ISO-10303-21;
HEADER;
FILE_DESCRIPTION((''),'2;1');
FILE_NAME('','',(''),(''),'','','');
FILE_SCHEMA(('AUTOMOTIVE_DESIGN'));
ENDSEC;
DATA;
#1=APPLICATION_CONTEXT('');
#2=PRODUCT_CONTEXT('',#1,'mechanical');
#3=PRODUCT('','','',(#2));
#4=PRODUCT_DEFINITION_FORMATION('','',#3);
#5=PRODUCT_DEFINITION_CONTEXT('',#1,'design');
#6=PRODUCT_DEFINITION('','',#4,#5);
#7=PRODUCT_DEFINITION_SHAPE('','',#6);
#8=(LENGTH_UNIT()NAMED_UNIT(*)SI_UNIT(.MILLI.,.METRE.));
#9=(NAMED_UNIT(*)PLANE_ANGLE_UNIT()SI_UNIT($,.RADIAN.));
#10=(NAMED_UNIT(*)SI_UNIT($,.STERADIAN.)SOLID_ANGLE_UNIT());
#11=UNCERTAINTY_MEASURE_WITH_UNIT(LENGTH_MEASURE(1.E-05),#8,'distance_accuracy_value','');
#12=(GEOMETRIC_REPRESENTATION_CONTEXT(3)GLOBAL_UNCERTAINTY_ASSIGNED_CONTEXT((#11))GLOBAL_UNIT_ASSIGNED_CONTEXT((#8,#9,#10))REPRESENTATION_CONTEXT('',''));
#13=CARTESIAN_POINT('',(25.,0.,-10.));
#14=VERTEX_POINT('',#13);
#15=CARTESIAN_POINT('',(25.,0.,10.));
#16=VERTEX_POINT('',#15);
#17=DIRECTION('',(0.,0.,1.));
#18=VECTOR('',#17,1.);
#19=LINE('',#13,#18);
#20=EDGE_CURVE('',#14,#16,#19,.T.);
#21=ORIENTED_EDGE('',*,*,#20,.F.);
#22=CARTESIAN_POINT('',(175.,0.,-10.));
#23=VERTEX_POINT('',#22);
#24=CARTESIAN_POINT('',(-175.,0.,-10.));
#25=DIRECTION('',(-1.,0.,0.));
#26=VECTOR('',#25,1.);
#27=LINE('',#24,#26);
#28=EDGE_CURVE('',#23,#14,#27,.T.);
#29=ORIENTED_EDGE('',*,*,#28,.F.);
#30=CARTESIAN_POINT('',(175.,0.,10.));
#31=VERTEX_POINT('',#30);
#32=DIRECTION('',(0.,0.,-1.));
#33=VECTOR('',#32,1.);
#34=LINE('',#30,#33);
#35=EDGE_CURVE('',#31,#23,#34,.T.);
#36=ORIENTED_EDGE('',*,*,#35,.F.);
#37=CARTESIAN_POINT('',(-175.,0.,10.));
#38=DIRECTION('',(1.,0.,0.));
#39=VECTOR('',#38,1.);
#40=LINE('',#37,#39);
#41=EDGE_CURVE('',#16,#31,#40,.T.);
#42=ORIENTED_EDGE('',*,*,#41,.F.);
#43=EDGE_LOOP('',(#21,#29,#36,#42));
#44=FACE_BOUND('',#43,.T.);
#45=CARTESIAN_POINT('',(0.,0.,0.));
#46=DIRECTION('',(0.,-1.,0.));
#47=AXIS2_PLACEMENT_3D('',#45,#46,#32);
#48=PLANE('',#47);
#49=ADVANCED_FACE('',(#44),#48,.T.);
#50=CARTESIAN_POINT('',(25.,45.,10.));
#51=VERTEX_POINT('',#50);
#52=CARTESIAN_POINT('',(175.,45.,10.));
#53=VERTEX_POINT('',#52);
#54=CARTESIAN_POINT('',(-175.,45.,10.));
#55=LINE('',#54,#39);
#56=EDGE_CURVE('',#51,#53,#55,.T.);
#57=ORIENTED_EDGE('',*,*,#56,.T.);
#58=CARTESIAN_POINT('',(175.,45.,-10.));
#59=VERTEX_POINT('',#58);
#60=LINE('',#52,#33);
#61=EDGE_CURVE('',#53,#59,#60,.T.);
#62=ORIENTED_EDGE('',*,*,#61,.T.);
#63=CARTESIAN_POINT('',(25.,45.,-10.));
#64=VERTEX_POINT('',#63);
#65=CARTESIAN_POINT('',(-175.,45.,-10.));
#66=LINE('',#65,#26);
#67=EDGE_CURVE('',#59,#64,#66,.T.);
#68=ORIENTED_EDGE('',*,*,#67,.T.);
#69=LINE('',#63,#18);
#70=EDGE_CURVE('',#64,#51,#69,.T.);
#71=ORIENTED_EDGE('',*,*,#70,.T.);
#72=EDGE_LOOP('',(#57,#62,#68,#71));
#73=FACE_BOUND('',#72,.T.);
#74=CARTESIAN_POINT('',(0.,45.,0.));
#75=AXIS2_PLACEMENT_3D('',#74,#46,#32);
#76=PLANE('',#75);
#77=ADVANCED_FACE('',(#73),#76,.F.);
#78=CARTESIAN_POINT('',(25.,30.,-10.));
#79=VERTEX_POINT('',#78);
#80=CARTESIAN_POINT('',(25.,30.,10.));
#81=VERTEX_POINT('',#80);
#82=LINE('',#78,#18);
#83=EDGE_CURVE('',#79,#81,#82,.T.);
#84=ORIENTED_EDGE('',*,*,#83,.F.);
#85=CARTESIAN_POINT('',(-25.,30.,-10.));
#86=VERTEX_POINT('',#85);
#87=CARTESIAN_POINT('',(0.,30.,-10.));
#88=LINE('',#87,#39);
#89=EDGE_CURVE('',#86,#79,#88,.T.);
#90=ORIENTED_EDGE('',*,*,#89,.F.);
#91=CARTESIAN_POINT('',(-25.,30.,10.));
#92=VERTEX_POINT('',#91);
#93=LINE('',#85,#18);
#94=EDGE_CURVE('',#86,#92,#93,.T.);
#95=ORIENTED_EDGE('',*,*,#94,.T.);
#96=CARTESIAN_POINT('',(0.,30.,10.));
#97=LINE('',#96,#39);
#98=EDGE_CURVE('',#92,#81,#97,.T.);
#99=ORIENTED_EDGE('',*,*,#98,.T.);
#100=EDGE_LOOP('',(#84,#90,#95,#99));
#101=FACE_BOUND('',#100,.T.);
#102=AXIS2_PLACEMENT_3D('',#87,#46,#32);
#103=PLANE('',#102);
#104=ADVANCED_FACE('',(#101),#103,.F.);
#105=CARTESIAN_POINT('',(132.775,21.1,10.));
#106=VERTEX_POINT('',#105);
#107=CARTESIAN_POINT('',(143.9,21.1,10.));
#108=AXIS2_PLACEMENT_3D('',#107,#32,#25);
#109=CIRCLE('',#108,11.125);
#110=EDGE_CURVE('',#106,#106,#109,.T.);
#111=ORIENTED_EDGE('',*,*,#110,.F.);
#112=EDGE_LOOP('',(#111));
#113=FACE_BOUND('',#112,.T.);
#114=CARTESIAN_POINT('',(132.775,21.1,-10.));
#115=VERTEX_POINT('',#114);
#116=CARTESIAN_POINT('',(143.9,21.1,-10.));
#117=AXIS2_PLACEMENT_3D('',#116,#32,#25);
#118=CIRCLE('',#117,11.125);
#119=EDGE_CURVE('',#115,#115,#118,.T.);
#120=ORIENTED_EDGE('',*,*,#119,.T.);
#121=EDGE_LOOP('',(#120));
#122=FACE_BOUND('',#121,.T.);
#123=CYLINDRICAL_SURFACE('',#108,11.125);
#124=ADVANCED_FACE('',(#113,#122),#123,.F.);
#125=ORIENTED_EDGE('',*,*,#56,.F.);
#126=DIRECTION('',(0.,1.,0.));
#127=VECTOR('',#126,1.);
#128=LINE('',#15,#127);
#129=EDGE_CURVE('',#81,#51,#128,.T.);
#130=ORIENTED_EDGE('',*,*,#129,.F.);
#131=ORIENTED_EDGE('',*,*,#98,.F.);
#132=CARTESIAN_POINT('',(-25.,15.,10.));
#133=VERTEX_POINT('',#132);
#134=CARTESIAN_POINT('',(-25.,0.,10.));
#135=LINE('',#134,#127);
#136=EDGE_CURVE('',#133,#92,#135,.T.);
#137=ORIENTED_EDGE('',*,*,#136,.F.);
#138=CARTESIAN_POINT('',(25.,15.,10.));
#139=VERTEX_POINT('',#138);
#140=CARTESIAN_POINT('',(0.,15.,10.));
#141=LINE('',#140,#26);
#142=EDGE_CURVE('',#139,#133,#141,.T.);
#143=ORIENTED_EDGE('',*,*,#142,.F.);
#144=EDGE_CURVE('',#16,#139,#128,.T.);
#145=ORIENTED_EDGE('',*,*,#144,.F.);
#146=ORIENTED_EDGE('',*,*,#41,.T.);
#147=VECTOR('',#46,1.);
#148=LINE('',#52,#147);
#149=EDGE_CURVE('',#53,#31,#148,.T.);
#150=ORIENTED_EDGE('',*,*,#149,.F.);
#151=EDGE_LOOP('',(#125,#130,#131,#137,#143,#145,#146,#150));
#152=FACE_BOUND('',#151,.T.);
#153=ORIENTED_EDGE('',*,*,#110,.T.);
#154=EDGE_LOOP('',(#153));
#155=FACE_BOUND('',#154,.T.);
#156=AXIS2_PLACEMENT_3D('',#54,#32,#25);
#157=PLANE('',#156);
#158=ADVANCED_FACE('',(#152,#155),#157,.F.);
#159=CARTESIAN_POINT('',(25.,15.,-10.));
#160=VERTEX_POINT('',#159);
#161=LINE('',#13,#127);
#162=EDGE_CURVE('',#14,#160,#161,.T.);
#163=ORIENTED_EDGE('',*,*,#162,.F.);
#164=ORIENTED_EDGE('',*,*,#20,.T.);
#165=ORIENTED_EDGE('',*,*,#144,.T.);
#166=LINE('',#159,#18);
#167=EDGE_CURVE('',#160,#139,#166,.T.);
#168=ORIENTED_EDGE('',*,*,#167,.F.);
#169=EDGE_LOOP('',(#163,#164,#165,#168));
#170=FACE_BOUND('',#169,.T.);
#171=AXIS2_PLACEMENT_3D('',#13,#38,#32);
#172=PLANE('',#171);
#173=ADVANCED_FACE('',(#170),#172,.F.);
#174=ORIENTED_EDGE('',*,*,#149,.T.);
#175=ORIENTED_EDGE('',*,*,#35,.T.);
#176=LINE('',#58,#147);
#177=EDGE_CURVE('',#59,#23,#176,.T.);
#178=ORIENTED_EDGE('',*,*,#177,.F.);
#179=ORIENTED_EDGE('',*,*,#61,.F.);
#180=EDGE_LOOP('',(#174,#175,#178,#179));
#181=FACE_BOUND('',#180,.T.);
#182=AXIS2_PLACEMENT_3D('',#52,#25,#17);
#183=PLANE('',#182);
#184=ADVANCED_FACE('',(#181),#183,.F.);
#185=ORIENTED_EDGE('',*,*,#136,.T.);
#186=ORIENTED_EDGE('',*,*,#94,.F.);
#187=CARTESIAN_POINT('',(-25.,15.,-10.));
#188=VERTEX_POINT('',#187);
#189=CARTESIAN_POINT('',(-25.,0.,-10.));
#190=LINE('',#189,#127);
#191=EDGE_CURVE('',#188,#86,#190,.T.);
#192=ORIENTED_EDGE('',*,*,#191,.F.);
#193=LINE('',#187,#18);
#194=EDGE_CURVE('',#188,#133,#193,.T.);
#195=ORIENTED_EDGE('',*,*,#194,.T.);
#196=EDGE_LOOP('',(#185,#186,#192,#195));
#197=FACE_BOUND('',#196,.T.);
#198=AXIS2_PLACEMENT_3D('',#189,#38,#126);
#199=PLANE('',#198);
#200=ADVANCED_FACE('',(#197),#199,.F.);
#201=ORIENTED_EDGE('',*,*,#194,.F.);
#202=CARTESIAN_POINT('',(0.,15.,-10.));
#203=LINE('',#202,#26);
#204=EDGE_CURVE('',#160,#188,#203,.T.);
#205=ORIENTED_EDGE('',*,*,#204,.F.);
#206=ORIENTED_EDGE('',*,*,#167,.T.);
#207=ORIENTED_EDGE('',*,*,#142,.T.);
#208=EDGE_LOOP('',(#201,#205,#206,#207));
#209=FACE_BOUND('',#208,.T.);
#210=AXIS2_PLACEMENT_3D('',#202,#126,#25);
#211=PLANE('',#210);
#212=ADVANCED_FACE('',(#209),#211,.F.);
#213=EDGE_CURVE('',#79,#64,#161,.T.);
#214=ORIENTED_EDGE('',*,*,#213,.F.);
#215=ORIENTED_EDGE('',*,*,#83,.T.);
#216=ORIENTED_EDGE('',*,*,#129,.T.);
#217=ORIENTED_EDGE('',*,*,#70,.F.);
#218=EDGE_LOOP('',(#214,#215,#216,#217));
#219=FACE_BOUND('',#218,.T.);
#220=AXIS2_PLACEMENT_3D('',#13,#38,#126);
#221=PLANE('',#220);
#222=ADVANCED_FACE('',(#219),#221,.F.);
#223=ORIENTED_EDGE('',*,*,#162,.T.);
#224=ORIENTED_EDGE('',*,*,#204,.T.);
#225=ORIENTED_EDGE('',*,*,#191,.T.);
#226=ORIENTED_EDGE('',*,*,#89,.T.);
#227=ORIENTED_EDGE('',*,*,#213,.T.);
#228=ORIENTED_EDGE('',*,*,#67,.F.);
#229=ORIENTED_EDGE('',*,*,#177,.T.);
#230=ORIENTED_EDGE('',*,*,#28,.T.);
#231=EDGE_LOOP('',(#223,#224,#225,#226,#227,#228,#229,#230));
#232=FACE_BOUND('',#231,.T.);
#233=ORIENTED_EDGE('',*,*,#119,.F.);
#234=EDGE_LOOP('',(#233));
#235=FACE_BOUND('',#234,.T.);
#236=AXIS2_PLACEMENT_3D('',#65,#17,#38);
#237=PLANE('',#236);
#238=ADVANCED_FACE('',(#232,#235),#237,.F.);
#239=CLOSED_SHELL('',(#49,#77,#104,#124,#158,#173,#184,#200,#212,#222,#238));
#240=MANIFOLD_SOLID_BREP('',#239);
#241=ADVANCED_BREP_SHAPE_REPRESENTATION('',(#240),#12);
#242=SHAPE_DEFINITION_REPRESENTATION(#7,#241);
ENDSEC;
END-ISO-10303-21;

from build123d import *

# Parameters (mm, degrees)
CROQUIS1_W              = 350
CROQUIS1_H              = 20
SALIENTE_EXTRUIR1_DEPTH = 45
CROQUIS2_R              = 11.125
CORTAR_EXTRUIR1_DEPTH   = 182.796589627
CROQUIS3_R              = 11.125
CORTAR_EXTRUIR3_DEPTH   = 182.796589627


with BuildPart() as part:
    # Croquis1 → Saliente-Extruir1 (new body)
    with BuildSketch(Plane(origin=(0, 0, 0), x_dir=(1, 0, 0), z_dir=(0, 1, 0))):
        Rectangle(CROQUIS1_W, CROQUIS1_H)
    extrude(amount=SALIENTE_EXTRUIR1_DEPTH)

    # Croquis2 → Cortar-Extruir1 (cut, through all)
    with BuildSketch(Plane(origin=(0, 0, -10), x_dir=(-1, 0, 0), z_dir=(0, 0, -1))):
        with Locations((-143.9, 21.1)):
            Circle(CROQUIS2_R)
    cortar_extruir1 = extrude(amount=-CORTAR_EXTRUIR1_DEPTH, mode=Mode.SUBTRACT)

    # Simetría1: Cortar-Extruir1 across plane
    add(cortar_extruir1.mirror(Plane(origin=(0, 0, 0), x_dir=(0, 0, 1), z_dir=(1, 0, 0))), mode=Mode.SUBTRACT)

    # Croquis3 → Cortar-Extruir3 (cut, through all)
    with BuildSketch(Plane.XY.offset(10)):
        Polygon((-175, 0), (0, 0), (25, 0), (25, 15), (-25, 15), (-25, 30), (25, 30), (25, 45), (-175, 45), align=None)
        with Locations((-143.9, 21.1)):
            Circle(CROQUIS3_R, mode=Mode.SUBTRACT)
    extrude(amount=-CORTAR_EXTRUIR3_DEPTH, mode=Mode.SUBTRACT)


solid = part.part
